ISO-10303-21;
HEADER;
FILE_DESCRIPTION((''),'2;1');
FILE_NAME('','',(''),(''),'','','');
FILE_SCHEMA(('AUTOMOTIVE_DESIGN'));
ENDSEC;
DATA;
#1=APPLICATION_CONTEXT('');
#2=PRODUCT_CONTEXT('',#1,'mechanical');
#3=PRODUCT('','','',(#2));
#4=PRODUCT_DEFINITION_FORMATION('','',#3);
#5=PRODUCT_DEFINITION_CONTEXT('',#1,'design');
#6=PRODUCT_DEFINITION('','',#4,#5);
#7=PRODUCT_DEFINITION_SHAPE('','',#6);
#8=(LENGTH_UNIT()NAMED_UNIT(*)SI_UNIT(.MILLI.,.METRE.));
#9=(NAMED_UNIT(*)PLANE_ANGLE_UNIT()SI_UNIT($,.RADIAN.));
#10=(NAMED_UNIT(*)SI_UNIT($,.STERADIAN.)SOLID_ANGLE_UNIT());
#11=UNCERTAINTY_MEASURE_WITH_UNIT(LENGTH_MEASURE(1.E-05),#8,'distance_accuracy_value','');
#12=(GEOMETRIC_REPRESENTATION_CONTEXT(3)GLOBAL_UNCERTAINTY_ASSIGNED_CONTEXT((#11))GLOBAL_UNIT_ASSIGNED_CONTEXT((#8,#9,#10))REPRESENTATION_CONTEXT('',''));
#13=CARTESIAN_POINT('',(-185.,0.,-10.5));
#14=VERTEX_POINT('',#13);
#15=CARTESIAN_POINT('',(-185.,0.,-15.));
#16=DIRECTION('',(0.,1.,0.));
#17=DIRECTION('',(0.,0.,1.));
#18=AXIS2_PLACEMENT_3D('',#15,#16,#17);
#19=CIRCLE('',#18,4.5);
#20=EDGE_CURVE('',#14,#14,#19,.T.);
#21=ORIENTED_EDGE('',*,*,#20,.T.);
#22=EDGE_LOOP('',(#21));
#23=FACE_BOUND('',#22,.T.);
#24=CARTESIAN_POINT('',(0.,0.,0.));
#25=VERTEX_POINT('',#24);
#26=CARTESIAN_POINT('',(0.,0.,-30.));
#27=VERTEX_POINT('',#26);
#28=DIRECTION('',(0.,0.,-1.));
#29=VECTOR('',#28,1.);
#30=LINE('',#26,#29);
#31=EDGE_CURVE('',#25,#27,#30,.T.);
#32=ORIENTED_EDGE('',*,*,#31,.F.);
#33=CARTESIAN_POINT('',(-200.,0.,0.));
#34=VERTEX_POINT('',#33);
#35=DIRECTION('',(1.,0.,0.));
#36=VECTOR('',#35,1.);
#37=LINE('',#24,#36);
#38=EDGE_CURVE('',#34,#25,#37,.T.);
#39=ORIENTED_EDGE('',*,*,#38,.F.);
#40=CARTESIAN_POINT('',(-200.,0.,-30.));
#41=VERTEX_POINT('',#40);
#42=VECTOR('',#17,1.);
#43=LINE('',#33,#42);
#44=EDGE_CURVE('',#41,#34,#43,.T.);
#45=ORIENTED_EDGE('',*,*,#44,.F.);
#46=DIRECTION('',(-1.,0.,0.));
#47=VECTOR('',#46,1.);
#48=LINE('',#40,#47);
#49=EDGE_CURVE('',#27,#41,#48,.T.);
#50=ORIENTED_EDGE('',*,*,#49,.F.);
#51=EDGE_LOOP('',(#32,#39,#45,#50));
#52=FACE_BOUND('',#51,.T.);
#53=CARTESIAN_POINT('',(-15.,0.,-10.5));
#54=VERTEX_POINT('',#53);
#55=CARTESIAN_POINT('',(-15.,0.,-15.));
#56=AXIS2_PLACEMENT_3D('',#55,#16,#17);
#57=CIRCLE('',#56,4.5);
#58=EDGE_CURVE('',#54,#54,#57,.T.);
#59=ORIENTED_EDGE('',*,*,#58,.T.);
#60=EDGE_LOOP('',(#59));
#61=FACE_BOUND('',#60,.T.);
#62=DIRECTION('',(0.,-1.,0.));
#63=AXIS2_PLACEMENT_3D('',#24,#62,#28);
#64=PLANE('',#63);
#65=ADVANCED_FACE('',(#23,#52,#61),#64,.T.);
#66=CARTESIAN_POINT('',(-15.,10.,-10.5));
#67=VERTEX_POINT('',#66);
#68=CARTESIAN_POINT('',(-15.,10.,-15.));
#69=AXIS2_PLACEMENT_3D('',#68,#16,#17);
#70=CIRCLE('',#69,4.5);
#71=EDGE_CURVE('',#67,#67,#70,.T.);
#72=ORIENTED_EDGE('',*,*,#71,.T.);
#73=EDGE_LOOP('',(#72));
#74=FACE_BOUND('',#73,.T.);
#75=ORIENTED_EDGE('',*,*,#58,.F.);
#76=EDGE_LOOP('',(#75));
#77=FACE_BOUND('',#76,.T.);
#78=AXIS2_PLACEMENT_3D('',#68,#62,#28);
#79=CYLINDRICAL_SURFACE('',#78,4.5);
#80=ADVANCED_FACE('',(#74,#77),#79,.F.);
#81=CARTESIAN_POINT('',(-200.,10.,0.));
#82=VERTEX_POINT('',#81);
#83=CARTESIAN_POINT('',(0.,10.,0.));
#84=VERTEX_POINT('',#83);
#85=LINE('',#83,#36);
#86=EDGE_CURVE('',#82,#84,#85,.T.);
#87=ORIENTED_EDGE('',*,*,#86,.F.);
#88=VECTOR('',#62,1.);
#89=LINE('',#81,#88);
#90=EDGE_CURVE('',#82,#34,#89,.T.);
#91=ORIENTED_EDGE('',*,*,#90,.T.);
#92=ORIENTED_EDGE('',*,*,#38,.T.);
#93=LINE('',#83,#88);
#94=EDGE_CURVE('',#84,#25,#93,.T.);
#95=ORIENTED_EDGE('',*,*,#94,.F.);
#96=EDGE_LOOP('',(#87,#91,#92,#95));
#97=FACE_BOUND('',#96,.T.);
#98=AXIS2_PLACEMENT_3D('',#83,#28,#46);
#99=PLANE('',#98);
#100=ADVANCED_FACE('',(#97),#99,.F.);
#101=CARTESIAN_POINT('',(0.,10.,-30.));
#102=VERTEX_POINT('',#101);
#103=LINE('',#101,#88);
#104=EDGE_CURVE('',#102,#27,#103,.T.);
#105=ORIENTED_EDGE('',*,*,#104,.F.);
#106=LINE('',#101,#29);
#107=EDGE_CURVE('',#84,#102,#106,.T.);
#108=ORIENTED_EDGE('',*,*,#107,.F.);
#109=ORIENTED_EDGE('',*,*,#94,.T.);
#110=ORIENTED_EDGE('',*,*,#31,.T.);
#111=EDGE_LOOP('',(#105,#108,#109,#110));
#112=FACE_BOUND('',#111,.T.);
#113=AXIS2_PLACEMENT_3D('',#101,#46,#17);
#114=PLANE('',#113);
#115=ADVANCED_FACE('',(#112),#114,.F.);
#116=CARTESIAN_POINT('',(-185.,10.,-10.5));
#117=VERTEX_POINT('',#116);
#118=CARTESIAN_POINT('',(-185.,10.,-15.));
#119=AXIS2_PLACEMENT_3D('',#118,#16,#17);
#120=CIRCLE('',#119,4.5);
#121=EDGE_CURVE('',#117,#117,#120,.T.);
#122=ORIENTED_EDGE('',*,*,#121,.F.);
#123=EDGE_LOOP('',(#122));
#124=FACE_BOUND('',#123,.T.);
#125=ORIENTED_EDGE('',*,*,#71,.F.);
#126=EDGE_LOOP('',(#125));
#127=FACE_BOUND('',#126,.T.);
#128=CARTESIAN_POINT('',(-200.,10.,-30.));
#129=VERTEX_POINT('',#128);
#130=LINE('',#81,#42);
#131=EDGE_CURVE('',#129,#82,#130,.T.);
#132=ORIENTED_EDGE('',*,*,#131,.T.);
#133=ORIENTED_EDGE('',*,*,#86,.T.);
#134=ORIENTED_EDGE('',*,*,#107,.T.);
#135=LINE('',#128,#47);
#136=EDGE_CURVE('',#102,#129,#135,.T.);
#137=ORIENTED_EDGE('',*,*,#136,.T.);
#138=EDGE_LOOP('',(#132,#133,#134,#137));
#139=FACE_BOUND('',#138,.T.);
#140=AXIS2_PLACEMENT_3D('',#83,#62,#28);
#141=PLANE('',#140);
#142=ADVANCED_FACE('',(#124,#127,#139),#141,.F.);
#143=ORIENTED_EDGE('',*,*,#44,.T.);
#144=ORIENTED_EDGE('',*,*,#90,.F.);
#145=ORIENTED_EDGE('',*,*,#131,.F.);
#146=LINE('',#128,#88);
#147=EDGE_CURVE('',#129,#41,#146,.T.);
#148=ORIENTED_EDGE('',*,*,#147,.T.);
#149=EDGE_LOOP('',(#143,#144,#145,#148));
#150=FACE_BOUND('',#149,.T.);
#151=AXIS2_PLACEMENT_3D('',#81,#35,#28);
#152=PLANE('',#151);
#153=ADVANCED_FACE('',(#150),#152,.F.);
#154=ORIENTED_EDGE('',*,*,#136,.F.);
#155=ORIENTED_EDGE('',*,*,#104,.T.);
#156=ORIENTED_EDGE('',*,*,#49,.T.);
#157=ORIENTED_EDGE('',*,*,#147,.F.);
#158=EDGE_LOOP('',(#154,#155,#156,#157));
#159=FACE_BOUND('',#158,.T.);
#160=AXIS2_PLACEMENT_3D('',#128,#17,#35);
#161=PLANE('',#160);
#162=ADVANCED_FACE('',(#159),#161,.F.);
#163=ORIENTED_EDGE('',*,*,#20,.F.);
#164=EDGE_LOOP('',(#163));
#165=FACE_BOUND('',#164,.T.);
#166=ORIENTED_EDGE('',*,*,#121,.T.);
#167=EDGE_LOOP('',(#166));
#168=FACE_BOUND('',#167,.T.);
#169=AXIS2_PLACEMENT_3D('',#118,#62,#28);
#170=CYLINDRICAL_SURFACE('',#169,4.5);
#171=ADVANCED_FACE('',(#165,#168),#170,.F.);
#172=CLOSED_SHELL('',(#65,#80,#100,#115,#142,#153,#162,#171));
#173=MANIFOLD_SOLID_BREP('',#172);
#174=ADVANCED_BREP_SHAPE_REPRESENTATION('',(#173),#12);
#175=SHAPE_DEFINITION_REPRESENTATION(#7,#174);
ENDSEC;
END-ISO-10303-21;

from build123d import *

# Parameters (mm, degrees)
SKETCH1_W           = 200
SKETCH1_H           = 30
SKETCH1_R           = 4.5
BOSS_EXTRUDE1_DEPTH = 10


with BuildPart() as part:
    # Sketch1 → Boss-Extrude1 (new body)
    with BuildSketch(Plane(origin=(0, 0, 0), x_dir=(1, 0, 0), z_dir=(0, 1, 0))):
        with Locations((-100, 15)):
            Rectangle(SKETCH1_W, SKETCH1_H)
        with Locations((-185, 15)):
            Circle(SKETCH1_R, mode=Mode.SUBTRACT)
        with Locations((-15, 15)):
            Circle(SKETCH1_R, mode=Mode.SUBTRACT)
    extrude(amount=BOSS_EXTRUDE1_DEPTH)


solid = part.part
